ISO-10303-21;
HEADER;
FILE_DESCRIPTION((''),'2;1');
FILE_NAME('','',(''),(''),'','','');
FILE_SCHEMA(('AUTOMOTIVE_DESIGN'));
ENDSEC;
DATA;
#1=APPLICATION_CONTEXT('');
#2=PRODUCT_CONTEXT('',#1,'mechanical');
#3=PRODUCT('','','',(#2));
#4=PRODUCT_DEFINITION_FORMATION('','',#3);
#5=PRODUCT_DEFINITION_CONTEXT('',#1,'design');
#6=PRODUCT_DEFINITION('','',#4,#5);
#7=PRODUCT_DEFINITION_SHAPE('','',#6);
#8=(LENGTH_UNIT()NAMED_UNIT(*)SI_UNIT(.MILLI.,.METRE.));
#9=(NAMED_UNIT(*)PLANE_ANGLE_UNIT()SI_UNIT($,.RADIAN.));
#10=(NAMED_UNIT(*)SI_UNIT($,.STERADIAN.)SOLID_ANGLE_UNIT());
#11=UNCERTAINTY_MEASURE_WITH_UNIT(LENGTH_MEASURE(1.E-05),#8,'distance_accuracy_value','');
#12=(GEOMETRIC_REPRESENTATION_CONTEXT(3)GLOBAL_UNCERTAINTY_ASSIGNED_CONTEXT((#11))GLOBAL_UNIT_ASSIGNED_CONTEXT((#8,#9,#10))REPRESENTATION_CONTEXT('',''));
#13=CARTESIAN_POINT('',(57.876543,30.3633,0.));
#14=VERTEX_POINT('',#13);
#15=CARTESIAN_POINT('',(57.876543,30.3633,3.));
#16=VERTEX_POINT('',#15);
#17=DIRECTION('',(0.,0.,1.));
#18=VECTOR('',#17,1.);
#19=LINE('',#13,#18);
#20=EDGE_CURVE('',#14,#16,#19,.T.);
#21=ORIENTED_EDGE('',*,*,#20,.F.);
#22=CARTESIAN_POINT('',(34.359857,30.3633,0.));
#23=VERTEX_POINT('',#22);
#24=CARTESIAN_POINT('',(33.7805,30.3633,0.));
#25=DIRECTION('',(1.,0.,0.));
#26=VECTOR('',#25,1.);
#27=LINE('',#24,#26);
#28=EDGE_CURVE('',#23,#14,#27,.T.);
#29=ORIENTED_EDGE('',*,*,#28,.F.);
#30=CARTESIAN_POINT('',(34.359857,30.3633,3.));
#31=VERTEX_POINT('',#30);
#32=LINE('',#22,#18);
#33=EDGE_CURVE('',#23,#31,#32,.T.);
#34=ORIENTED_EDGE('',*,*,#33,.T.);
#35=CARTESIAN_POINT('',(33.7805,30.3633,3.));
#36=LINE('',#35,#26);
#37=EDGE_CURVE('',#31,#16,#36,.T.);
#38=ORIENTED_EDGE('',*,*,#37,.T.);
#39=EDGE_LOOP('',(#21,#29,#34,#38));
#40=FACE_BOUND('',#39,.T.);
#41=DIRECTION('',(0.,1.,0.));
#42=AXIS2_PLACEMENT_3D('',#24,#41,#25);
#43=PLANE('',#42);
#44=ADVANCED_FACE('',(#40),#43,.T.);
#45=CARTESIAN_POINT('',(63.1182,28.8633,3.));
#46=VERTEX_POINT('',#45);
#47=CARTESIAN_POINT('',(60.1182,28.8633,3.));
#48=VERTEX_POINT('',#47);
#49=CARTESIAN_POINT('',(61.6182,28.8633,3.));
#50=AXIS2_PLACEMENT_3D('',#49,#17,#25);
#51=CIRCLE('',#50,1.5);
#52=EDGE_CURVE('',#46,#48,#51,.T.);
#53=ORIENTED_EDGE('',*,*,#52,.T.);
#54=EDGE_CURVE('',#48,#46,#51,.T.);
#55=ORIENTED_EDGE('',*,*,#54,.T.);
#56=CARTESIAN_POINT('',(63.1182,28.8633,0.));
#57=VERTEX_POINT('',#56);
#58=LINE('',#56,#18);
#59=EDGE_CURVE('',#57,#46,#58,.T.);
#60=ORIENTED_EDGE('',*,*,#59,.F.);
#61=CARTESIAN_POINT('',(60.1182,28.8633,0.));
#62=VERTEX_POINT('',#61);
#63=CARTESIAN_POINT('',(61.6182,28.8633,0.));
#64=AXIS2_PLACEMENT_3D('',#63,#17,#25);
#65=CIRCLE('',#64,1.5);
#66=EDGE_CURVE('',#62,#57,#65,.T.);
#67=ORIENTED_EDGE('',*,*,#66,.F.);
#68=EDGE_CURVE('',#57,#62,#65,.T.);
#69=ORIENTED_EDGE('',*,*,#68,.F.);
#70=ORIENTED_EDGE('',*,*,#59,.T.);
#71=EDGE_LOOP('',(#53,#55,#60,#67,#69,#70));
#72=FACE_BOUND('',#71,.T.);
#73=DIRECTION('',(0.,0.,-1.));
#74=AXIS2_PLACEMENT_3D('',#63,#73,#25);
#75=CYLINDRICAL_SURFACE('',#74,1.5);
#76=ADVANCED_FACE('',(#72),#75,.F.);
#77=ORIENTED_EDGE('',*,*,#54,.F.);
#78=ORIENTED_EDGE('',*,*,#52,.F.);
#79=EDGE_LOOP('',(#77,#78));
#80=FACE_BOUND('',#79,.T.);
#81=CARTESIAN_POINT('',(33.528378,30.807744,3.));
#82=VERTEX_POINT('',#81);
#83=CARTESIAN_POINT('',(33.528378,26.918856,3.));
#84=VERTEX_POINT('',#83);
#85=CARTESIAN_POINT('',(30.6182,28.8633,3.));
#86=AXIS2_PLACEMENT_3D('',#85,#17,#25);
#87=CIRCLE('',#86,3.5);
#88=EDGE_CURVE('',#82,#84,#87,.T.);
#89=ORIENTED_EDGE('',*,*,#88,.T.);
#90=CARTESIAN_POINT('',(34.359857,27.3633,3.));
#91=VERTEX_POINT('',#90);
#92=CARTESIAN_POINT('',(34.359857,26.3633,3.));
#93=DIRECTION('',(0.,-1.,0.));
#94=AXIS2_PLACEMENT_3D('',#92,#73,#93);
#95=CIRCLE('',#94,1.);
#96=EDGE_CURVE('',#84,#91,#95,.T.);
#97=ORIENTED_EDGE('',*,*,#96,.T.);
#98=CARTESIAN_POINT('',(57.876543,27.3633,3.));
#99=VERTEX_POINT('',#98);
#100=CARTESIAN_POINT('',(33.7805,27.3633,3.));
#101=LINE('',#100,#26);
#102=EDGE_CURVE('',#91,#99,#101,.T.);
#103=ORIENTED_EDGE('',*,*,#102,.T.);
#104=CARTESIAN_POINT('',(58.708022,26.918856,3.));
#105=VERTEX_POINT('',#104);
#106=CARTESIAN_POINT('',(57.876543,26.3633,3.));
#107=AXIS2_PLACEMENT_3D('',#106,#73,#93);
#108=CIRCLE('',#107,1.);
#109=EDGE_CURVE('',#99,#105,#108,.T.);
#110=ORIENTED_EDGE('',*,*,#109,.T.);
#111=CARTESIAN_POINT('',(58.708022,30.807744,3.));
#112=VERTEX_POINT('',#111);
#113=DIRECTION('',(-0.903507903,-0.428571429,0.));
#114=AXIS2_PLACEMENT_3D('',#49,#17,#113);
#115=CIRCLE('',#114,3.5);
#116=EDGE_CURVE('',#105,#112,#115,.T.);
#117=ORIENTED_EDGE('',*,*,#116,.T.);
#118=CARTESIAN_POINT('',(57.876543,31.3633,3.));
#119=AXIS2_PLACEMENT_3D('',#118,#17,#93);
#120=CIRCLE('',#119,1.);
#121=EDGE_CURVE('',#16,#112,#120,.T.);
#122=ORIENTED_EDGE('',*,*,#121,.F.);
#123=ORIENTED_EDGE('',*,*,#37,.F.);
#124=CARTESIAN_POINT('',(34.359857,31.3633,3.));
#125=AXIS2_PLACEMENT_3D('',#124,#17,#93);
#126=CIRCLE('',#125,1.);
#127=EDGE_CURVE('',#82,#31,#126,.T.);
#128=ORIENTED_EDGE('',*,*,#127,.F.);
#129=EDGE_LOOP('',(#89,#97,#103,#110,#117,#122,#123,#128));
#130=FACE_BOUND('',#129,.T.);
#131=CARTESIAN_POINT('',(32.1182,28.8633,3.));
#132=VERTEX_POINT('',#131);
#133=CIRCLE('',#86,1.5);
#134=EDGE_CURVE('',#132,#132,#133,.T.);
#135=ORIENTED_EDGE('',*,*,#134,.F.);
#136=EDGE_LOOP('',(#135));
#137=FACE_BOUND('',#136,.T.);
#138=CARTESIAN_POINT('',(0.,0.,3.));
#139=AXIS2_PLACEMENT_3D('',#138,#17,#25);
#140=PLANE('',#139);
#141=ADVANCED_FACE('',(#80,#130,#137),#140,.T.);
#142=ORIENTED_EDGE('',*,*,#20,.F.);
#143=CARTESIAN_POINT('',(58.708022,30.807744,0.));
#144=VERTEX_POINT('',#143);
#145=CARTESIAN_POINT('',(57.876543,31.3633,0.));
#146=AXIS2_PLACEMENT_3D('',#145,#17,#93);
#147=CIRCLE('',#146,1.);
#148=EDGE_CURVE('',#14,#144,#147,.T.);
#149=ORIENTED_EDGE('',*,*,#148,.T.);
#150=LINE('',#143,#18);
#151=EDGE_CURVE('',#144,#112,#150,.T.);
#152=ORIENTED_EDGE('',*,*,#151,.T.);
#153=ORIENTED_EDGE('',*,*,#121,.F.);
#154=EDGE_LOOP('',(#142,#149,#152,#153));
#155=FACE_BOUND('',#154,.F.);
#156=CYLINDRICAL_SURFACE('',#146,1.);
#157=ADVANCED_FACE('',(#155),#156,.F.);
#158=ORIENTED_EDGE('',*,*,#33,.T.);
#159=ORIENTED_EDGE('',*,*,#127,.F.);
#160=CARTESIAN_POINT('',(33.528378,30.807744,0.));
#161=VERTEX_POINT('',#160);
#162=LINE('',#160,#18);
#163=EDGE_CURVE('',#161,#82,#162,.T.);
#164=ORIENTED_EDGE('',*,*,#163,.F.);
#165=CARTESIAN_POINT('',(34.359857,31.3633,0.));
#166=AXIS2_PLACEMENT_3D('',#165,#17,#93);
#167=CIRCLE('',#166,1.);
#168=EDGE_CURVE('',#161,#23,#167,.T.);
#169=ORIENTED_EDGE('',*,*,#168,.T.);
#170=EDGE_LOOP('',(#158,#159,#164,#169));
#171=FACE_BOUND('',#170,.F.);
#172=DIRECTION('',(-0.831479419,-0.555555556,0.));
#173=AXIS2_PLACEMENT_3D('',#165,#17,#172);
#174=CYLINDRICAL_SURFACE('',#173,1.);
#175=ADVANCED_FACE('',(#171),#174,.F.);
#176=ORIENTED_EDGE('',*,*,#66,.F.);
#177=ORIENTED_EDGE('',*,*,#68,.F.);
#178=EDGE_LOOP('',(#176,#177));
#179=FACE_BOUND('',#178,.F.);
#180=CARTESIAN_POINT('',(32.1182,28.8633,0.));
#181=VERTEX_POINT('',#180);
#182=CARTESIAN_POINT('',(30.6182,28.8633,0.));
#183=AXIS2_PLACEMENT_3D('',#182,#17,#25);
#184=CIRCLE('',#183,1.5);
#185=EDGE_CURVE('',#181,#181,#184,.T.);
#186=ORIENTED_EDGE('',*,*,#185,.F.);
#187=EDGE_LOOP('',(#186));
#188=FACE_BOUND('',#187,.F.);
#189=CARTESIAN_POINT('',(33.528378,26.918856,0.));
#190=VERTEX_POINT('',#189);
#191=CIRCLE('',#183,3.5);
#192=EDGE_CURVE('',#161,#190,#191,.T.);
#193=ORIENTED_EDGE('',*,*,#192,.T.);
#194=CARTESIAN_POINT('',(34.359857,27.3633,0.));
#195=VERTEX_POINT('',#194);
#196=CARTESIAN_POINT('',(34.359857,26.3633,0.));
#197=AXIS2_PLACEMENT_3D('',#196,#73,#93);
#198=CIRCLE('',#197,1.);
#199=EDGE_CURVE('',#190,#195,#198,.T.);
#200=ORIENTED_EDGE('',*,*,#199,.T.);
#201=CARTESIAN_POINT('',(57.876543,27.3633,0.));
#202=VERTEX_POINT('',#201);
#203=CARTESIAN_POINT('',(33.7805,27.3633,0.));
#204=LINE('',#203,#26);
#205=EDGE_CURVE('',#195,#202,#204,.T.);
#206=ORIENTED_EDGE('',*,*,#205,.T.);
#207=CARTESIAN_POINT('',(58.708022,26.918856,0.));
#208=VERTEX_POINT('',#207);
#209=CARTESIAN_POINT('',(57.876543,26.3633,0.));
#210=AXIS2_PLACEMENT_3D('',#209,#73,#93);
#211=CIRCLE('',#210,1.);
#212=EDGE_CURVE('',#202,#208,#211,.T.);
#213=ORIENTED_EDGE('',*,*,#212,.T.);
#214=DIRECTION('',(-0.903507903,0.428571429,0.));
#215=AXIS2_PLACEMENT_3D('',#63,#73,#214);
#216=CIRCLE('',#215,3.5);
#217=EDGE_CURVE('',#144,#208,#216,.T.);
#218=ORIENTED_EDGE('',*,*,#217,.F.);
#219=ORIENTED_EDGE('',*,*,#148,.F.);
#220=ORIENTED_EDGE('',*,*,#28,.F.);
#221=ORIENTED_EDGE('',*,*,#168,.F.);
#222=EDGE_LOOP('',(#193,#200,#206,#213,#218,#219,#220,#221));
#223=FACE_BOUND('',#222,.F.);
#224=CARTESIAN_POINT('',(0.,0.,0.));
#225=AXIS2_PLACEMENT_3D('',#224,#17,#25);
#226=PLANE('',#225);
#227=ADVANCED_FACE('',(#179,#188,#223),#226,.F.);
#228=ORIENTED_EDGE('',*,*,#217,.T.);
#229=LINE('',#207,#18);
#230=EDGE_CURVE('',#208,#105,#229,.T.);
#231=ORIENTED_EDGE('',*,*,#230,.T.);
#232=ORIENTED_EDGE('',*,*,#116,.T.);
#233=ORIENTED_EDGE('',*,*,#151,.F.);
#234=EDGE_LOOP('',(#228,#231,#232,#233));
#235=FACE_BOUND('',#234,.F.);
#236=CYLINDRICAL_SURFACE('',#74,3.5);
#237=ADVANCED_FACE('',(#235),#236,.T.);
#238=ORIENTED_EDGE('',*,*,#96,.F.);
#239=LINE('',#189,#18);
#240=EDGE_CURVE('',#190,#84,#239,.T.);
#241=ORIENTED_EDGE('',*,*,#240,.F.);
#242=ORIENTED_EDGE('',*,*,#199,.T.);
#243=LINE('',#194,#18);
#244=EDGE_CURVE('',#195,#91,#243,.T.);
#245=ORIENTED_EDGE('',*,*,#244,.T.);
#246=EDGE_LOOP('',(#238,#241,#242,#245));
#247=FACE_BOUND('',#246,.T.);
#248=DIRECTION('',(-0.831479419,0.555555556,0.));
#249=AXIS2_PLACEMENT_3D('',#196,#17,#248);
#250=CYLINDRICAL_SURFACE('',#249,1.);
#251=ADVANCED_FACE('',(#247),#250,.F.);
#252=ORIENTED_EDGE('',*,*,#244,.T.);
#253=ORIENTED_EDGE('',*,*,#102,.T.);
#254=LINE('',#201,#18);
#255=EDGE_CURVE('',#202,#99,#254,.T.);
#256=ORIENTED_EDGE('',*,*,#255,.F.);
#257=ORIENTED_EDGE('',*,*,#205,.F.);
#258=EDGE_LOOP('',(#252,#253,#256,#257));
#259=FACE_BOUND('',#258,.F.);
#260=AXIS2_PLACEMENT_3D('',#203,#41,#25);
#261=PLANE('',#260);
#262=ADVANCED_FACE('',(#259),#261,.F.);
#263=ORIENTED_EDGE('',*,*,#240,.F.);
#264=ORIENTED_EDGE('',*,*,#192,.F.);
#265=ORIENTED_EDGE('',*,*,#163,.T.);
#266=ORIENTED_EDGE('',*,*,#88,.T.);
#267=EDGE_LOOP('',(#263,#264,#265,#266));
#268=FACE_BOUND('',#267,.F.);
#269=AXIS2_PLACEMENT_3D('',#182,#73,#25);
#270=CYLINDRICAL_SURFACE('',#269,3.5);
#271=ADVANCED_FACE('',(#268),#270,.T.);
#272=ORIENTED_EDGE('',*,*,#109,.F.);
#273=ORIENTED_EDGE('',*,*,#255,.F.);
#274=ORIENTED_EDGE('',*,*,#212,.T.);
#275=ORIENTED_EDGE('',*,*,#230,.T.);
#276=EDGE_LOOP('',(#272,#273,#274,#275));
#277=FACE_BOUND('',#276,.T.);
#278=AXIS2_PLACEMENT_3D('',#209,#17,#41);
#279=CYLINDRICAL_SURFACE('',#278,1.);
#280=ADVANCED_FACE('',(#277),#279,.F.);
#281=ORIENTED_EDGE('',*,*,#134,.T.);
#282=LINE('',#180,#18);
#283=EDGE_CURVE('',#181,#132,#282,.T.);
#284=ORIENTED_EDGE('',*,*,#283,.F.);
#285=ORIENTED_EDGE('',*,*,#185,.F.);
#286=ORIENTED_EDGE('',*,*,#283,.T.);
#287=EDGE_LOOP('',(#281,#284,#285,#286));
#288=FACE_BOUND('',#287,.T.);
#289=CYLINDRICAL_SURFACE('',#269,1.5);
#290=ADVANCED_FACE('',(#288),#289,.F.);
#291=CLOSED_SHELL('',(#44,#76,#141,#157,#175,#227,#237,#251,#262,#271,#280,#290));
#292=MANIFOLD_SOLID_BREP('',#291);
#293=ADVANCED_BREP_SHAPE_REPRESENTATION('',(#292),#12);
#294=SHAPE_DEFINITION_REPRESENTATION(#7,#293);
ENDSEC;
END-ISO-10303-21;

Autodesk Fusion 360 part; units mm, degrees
sketch "Sketch1" plane through (0, 0, 0) normal (0, 0, 1) x (1, 0, 0)
  circle A0 centre (30.6182, 28.8633) radius 1.5
  circle A1 centre (30.6182, 28.8633) radius 3.5
  circle A2 centre (61.6182, 28.8633) radius 1.5
  circle A3 centre (61.6182, 28.8633) radius 3.5
  line L0 (30.6182, 28.8633) -> (61.6182, 28.8633)
  line L1 (33.7805, 30.3633) -> (59, 30.3633)
  line L2 (33.7805, 27.3633) -> (59, 27.3633)
  dimension "d1" = 3
  dimension "d2" = 7
  dimension "d3" = 3
  dimension "d4" = 7
  dimension "d5" = 31
  dimension "d6" = 1.5
extrude "Extrude1" add sketch "Sketch1" along normal blind 3
fillet "Fillet1" radius 1 4 edges at (33.7805, 30.3633, 1.5) (58.456, 30.3633, 1.5) (33.7805, 27.3633, 1.5) (58.456, 27.3633, 1.5)
